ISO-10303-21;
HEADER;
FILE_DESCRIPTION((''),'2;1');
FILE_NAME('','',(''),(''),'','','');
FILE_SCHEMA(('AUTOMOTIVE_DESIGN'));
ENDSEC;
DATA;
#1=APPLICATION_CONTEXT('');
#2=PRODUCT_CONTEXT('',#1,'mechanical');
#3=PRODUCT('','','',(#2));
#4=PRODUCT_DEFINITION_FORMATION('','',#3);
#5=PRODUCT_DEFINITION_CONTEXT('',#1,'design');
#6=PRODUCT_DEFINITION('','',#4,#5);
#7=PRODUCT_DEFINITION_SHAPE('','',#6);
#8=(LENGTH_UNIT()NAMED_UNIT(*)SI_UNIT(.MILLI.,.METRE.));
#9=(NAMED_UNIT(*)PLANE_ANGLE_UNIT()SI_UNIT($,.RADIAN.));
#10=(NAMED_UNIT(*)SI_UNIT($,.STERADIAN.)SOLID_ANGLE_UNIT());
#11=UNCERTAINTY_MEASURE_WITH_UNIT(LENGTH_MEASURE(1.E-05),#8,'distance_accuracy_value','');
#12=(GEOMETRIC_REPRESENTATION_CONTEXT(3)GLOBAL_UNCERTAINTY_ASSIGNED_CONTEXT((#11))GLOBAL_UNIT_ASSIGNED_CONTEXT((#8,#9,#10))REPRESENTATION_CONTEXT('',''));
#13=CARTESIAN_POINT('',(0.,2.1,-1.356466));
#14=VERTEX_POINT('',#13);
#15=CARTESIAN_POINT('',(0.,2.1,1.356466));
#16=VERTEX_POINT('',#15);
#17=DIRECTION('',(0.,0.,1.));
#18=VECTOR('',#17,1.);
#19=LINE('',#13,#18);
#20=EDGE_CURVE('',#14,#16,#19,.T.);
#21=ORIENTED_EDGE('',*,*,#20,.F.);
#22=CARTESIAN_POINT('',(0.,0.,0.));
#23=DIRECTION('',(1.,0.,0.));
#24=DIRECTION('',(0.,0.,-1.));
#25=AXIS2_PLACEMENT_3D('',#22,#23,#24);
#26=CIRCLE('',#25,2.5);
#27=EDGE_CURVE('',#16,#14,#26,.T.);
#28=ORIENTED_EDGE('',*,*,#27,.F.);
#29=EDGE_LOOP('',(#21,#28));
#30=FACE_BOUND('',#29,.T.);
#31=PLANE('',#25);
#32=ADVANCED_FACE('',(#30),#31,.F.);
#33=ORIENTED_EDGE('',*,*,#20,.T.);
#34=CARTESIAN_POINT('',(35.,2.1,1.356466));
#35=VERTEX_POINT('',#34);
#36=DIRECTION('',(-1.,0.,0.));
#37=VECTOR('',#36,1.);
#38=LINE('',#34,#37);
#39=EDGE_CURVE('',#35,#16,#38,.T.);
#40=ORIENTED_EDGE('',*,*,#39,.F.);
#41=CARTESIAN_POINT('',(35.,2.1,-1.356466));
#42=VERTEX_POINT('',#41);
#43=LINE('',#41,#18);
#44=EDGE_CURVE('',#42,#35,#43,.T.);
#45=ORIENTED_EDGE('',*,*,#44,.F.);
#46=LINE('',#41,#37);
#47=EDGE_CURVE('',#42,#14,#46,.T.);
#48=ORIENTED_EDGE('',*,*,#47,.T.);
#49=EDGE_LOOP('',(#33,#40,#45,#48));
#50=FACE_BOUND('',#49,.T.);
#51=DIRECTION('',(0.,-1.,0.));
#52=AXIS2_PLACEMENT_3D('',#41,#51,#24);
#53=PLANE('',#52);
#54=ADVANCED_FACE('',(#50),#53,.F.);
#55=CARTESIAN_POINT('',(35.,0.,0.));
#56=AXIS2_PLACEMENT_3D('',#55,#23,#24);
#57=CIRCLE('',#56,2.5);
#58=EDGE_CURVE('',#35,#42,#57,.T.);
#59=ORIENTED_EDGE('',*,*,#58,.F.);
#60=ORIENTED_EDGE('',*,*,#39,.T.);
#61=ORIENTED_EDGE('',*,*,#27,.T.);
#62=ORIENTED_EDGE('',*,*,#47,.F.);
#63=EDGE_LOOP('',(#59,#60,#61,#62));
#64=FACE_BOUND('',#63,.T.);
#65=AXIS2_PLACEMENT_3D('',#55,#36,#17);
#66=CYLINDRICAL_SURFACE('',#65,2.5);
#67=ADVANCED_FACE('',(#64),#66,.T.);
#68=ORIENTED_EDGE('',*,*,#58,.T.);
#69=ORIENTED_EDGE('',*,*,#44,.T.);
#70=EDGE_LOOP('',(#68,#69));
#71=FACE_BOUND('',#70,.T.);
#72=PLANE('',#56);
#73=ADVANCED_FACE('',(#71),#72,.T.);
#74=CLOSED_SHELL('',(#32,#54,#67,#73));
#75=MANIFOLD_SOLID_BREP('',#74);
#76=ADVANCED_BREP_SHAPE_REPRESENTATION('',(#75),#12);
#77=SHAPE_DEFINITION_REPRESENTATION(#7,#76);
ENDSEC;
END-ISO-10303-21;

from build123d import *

# Parameters (mm, degrees)
BOSS_EXTRUDE1_DEPTH = 35


with BuildPart() as part:
    # Sketch1 → Boss-Extrude1 (new body)
    with BuildSketch(Plane(origin=(0, 0, 0), x_dir=(0, 0, -1), z_dir=(1, 0, 0))):
        with BuildLine():
            Line((1.356465997, 2.1), (-1.356465997, 2.1))
            ThreePointArc((-1.356465997, 2.1), (0, -2.5), (1.356465997, 2.1))
        make_face()
    extrude(amount=BOSS_EXTRUDE1_DEPTH)


solid = part.part
